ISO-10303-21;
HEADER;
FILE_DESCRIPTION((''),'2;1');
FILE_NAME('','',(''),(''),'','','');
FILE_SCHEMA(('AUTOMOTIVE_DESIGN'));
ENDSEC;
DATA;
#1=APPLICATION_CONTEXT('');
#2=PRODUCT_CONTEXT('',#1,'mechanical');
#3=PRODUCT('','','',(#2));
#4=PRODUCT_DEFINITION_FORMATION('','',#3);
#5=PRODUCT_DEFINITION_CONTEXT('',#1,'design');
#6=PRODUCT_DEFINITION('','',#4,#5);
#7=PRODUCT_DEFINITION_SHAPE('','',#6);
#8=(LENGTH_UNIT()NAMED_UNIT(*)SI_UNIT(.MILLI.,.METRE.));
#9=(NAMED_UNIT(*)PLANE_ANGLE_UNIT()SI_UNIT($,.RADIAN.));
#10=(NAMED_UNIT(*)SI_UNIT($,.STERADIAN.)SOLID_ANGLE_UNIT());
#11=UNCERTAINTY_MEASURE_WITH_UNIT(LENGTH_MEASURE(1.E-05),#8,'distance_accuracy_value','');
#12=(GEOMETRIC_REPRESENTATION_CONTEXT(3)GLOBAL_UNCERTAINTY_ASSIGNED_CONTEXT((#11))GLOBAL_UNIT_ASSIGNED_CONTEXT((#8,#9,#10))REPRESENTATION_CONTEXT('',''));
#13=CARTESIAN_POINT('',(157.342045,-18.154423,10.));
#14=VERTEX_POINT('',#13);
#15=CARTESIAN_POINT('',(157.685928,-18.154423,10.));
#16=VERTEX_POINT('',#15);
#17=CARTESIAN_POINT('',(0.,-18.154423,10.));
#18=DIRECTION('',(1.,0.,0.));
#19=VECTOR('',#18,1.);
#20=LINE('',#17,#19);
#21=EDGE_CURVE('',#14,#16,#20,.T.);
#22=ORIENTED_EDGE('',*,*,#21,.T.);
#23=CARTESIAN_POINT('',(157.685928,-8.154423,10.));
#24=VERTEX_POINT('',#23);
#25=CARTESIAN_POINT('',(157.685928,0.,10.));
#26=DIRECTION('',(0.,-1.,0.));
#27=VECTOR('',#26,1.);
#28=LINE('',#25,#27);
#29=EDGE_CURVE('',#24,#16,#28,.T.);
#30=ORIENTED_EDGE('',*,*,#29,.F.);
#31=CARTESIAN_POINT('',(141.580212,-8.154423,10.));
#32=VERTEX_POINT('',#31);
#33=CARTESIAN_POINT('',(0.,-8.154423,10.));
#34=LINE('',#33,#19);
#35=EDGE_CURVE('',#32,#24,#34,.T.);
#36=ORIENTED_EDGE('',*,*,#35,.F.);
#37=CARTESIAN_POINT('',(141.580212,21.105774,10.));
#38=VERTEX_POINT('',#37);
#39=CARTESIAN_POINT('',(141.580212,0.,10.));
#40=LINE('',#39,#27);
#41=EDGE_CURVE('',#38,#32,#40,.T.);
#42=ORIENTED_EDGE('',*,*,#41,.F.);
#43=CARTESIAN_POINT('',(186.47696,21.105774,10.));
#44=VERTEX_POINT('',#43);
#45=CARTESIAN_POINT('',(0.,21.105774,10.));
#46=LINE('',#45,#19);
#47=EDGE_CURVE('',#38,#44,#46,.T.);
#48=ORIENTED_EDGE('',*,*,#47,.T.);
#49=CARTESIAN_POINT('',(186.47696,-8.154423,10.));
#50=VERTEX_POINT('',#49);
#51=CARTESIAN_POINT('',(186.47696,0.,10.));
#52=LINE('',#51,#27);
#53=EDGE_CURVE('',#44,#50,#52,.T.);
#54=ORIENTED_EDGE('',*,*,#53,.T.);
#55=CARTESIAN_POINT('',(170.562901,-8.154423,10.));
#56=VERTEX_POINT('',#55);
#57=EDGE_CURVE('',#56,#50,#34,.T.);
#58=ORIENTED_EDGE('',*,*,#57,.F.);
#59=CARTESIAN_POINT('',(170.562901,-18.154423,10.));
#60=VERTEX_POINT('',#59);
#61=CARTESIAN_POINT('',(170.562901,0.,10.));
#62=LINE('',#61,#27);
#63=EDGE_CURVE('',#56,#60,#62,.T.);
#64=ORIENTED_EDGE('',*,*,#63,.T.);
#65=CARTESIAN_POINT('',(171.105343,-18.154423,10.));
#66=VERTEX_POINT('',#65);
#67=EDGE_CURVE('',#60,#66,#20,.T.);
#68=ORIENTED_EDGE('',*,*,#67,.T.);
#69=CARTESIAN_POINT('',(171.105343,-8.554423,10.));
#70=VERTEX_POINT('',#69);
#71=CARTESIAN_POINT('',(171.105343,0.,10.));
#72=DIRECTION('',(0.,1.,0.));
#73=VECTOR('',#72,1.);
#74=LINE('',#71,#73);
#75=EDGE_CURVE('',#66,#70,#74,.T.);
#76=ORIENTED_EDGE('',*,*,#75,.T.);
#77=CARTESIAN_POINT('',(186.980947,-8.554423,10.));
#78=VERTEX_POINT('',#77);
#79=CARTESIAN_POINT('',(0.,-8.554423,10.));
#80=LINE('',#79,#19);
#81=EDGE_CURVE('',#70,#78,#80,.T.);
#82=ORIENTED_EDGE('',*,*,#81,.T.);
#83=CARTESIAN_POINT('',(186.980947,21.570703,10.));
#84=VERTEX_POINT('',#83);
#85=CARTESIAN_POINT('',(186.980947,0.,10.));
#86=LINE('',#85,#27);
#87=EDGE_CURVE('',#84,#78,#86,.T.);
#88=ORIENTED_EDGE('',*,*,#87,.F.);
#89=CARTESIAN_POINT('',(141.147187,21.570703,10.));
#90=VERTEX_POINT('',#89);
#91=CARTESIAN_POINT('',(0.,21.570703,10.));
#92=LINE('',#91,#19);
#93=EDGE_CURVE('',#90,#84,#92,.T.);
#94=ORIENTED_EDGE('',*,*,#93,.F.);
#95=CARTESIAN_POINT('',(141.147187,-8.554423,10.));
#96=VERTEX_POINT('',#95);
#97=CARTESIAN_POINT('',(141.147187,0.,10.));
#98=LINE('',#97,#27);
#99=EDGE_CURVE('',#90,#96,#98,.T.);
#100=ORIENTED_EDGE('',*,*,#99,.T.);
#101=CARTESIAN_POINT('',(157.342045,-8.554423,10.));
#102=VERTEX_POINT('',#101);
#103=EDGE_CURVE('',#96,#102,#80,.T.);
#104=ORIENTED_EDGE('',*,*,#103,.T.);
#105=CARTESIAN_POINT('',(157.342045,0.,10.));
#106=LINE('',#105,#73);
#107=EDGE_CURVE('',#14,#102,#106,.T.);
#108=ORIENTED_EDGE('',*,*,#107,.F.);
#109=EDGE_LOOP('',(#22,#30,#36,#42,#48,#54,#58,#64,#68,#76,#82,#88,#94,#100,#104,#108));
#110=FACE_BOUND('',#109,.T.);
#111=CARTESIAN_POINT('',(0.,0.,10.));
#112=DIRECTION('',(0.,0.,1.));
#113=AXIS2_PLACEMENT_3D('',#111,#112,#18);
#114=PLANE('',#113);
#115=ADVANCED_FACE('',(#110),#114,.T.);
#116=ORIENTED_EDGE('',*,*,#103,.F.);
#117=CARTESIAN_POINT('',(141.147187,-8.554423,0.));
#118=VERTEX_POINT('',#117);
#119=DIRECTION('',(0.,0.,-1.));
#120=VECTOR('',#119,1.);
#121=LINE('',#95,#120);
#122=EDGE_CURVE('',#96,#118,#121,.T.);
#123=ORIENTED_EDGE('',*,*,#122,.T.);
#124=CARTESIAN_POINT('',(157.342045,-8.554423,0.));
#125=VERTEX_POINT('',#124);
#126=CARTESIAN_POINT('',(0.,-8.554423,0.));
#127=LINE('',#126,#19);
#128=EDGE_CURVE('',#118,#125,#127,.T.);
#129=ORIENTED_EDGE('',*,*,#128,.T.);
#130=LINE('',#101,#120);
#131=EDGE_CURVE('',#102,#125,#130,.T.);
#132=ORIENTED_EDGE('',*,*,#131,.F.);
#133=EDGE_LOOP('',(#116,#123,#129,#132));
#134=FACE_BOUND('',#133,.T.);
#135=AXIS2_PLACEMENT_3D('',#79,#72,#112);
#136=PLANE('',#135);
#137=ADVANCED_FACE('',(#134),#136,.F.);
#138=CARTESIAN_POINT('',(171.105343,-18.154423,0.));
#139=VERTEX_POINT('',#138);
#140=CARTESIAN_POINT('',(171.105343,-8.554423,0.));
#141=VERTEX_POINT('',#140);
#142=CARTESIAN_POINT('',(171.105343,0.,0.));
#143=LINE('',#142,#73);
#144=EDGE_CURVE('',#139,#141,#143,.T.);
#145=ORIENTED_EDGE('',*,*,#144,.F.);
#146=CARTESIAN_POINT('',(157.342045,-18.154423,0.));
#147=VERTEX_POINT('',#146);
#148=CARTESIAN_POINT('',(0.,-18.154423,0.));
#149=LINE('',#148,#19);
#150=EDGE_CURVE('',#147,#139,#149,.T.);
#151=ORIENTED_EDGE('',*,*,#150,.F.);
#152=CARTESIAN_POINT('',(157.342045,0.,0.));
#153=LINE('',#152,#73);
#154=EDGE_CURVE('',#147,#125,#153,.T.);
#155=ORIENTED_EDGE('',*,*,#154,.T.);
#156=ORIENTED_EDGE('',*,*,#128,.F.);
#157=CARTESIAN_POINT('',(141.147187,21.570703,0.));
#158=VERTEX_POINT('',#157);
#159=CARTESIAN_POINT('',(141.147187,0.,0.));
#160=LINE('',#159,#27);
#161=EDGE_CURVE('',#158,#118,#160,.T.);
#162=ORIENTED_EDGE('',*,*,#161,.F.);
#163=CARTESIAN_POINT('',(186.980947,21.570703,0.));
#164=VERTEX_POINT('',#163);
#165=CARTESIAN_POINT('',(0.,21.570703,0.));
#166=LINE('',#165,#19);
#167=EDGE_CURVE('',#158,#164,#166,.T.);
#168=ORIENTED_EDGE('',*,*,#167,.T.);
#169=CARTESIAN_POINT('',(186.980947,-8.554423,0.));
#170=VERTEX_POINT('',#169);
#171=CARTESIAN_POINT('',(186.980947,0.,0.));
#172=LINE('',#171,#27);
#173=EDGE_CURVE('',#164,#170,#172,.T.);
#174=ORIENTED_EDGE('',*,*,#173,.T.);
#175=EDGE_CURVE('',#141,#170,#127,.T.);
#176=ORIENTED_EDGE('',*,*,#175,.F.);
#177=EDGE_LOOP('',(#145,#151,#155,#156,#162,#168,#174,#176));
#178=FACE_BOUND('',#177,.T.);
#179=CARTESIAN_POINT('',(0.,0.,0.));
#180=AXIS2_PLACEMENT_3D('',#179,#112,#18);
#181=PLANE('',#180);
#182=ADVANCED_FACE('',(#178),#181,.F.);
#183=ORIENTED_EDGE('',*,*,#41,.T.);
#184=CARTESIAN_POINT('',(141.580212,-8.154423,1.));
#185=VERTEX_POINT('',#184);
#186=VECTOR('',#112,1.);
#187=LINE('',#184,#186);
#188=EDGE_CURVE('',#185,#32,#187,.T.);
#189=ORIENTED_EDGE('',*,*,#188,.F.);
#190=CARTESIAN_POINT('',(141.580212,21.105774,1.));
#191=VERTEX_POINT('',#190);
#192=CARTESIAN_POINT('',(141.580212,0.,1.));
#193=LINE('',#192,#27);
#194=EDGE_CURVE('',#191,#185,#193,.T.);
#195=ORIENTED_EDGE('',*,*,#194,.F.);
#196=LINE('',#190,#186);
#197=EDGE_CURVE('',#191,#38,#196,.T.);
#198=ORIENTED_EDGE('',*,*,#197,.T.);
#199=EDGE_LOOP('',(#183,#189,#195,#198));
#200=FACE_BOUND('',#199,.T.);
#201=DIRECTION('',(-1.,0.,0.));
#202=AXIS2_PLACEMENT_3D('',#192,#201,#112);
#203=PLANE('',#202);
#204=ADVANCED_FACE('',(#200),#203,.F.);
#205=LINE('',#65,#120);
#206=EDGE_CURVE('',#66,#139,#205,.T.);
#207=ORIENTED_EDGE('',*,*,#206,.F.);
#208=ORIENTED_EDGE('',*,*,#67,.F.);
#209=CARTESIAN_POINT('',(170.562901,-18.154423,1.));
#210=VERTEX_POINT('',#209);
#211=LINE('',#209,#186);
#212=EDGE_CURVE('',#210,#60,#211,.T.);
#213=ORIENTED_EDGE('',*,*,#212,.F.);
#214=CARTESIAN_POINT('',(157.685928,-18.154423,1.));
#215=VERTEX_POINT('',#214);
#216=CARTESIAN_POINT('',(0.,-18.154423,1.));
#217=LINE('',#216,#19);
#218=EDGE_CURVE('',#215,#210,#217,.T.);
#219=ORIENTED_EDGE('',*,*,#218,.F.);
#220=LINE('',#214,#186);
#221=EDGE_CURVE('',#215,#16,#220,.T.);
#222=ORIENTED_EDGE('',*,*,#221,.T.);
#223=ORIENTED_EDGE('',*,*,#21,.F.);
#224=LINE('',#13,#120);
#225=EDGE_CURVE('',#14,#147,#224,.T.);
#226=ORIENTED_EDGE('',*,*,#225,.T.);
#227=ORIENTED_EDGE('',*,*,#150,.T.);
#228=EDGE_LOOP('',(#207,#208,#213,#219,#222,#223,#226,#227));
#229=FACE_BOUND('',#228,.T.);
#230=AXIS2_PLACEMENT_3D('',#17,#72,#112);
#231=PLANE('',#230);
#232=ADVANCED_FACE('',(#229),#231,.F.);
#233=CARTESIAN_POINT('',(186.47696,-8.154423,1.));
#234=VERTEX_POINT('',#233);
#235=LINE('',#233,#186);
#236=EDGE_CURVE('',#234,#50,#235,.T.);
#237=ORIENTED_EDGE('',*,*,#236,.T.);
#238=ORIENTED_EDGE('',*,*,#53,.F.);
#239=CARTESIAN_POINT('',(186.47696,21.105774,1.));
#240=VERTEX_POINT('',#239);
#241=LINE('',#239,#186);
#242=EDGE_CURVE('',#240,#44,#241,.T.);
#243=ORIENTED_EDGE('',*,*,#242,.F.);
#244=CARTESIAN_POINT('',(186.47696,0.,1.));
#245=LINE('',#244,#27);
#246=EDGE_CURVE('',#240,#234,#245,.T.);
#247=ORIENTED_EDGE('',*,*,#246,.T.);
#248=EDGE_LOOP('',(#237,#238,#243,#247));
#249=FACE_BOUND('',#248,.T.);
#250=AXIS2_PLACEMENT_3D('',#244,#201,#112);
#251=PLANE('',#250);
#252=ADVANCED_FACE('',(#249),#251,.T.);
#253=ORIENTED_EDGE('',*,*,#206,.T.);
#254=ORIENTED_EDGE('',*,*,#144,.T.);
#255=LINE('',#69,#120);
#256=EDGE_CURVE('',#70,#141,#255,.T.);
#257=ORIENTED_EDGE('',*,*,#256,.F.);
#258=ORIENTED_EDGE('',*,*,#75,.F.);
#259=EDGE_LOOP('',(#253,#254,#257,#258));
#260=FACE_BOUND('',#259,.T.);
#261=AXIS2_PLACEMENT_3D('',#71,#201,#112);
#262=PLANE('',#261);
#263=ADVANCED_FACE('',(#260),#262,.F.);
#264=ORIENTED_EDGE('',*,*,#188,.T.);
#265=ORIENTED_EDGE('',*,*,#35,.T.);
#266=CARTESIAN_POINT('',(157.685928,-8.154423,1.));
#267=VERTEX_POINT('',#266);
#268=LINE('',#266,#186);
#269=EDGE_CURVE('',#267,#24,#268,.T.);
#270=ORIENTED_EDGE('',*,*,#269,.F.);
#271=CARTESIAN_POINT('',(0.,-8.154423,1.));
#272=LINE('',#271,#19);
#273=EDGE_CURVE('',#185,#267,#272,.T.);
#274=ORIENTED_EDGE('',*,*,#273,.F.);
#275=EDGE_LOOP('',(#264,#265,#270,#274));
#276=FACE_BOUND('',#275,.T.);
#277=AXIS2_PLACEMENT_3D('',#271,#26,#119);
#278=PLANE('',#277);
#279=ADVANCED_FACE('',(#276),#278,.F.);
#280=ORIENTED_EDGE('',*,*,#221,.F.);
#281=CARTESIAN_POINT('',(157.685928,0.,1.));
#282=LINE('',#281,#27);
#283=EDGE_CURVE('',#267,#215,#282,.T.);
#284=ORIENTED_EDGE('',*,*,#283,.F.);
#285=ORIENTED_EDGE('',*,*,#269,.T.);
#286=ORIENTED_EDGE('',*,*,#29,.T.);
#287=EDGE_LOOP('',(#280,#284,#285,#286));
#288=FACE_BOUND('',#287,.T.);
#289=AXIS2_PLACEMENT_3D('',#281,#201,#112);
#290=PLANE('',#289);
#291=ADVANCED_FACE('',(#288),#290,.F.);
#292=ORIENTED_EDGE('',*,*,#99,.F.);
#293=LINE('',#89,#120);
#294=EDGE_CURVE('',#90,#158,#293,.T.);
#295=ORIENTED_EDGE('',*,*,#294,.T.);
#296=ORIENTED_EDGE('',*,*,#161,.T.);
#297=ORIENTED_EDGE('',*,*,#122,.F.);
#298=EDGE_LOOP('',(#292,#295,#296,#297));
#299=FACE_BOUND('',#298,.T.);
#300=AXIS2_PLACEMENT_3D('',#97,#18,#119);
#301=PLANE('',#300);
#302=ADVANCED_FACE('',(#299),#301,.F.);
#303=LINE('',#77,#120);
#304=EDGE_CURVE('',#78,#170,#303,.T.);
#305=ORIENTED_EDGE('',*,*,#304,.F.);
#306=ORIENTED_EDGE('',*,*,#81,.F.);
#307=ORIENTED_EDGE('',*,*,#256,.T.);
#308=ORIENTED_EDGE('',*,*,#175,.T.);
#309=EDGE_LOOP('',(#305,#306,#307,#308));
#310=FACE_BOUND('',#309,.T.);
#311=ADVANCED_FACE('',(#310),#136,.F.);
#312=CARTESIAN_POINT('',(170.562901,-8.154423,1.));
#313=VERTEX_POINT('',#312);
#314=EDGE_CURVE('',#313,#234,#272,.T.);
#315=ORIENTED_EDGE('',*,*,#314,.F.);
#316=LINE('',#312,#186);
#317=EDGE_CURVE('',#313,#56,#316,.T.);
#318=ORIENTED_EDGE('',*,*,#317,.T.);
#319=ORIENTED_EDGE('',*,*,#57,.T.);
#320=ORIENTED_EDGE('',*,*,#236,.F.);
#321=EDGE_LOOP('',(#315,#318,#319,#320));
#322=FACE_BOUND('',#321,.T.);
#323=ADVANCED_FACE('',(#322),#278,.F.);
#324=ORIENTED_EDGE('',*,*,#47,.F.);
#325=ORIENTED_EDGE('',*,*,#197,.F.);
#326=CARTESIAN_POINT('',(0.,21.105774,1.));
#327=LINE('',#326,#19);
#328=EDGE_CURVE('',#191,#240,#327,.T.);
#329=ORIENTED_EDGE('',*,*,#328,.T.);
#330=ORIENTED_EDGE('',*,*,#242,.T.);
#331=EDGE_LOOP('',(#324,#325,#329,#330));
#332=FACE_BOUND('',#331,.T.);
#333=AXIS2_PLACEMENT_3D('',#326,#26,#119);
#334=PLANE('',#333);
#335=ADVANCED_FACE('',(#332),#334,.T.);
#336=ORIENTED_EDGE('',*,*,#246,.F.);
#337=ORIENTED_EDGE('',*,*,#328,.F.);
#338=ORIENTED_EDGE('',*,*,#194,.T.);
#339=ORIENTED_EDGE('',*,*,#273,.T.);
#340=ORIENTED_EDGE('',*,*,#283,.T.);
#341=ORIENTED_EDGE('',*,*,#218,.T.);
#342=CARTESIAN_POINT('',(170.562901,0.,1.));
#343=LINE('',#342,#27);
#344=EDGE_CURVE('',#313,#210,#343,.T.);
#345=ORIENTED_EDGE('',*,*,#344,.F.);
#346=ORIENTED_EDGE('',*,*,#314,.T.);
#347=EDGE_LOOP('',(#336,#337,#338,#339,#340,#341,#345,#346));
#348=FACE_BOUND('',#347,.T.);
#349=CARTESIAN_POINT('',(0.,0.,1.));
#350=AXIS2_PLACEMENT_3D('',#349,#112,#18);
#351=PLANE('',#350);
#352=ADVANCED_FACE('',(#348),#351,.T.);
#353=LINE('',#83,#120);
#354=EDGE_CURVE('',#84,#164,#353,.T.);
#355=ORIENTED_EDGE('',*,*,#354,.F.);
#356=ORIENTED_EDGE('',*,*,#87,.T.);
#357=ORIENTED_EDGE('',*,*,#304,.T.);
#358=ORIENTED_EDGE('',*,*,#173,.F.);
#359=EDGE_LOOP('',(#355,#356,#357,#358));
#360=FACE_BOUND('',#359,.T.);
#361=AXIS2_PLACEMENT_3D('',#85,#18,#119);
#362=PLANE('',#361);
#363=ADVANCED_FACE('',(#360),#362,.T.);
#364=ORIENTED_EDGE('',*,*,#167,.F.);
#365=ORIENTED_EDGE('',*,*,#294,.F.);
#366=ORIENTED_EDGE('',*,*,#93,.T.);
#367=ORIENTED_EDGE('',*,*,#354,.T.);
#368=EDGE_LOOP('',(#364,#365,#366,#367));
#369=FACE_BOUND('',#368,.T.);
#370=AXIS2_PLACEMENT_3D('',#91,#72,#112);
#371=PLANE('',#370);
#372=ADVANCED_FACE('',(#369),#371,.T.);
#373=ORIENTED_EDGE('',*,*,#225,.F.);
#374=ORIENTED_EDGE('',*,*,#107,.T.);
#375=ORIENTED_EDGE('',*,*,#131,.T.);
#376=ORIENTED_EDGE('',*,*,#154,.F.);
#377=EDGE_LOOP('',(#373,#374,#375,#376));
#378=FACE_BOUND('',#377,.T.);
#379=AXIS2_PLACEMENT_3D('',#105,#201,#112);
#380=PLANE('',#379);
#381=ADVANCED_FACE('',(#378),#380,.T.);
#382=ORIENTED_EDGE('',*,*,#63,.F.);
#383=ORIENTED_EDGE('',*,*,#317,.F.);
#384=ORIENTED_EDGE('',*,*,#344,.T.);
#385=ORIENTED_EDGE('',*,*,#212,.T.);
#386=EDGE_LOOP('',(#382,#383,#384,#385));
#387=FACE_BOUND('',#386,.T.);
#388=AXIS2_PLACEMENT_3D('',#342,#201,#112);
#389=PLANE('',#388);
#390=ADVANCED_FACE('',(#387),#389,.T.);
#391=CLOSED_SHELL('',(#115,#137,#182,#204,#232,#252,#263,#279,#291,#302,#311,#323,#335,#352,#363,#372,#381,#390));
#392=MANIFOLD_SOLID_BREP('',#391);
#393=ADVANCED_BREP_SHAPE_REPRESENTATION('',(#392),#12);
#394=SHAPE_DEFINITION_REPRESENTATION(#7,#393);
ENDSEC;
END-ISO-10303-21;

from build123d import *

# Parameters (mm, degrees)
SKETCH1_W           = 45.833760325
SKETCH1_H           = 30.125125166
SKETCH1_W_2         = 13.763297708
SKETCH1_H_2         = 9.6
BOSS_EXTRUDE1_DEPTH = 10
SKETCH2_W           = 44.896748031
SKETCH2_H           = 29.260196601
SKETCH2_W_2         = 12.87697359
SKETCH2_H_2         = 10
CUT_EXTRUDE1_DEPTH  = 9


with BuildPart() as part:
    # Sketch1 → Boss-Extrude1 (new body)
    with BuildSketch(Plane.XY):
        with Locations((164.06406709, 6.50813998)):
            Rectangle(SKETCH1_W, SKETCH1_H)
        with Locations((164.223693767, -13.354422603)):
            Rectangle(SKETCH1_W_2, SKETCH1_H_2)
    extrude(amount=BOSS_EXTRUDE1_DEPTH)

    # Sketch2 → Cut-Extrude1 (cut)
    with BuildSketch(Plane.XY.offset(10)):
        with Locations((164.028585862, 6.475675697)):
            Rectangle(SKETCH2_W, SKETCH2_H)
        with Locations((164.12441469, -13.154422603)):
            Rectangle(SKETCH2_W_2, SKETCH2_H_2)
    extrude(amount=-CUT_EXTRUDE1_DEPTH, mode=Mode.SUBTRACT)


solid = part.part
